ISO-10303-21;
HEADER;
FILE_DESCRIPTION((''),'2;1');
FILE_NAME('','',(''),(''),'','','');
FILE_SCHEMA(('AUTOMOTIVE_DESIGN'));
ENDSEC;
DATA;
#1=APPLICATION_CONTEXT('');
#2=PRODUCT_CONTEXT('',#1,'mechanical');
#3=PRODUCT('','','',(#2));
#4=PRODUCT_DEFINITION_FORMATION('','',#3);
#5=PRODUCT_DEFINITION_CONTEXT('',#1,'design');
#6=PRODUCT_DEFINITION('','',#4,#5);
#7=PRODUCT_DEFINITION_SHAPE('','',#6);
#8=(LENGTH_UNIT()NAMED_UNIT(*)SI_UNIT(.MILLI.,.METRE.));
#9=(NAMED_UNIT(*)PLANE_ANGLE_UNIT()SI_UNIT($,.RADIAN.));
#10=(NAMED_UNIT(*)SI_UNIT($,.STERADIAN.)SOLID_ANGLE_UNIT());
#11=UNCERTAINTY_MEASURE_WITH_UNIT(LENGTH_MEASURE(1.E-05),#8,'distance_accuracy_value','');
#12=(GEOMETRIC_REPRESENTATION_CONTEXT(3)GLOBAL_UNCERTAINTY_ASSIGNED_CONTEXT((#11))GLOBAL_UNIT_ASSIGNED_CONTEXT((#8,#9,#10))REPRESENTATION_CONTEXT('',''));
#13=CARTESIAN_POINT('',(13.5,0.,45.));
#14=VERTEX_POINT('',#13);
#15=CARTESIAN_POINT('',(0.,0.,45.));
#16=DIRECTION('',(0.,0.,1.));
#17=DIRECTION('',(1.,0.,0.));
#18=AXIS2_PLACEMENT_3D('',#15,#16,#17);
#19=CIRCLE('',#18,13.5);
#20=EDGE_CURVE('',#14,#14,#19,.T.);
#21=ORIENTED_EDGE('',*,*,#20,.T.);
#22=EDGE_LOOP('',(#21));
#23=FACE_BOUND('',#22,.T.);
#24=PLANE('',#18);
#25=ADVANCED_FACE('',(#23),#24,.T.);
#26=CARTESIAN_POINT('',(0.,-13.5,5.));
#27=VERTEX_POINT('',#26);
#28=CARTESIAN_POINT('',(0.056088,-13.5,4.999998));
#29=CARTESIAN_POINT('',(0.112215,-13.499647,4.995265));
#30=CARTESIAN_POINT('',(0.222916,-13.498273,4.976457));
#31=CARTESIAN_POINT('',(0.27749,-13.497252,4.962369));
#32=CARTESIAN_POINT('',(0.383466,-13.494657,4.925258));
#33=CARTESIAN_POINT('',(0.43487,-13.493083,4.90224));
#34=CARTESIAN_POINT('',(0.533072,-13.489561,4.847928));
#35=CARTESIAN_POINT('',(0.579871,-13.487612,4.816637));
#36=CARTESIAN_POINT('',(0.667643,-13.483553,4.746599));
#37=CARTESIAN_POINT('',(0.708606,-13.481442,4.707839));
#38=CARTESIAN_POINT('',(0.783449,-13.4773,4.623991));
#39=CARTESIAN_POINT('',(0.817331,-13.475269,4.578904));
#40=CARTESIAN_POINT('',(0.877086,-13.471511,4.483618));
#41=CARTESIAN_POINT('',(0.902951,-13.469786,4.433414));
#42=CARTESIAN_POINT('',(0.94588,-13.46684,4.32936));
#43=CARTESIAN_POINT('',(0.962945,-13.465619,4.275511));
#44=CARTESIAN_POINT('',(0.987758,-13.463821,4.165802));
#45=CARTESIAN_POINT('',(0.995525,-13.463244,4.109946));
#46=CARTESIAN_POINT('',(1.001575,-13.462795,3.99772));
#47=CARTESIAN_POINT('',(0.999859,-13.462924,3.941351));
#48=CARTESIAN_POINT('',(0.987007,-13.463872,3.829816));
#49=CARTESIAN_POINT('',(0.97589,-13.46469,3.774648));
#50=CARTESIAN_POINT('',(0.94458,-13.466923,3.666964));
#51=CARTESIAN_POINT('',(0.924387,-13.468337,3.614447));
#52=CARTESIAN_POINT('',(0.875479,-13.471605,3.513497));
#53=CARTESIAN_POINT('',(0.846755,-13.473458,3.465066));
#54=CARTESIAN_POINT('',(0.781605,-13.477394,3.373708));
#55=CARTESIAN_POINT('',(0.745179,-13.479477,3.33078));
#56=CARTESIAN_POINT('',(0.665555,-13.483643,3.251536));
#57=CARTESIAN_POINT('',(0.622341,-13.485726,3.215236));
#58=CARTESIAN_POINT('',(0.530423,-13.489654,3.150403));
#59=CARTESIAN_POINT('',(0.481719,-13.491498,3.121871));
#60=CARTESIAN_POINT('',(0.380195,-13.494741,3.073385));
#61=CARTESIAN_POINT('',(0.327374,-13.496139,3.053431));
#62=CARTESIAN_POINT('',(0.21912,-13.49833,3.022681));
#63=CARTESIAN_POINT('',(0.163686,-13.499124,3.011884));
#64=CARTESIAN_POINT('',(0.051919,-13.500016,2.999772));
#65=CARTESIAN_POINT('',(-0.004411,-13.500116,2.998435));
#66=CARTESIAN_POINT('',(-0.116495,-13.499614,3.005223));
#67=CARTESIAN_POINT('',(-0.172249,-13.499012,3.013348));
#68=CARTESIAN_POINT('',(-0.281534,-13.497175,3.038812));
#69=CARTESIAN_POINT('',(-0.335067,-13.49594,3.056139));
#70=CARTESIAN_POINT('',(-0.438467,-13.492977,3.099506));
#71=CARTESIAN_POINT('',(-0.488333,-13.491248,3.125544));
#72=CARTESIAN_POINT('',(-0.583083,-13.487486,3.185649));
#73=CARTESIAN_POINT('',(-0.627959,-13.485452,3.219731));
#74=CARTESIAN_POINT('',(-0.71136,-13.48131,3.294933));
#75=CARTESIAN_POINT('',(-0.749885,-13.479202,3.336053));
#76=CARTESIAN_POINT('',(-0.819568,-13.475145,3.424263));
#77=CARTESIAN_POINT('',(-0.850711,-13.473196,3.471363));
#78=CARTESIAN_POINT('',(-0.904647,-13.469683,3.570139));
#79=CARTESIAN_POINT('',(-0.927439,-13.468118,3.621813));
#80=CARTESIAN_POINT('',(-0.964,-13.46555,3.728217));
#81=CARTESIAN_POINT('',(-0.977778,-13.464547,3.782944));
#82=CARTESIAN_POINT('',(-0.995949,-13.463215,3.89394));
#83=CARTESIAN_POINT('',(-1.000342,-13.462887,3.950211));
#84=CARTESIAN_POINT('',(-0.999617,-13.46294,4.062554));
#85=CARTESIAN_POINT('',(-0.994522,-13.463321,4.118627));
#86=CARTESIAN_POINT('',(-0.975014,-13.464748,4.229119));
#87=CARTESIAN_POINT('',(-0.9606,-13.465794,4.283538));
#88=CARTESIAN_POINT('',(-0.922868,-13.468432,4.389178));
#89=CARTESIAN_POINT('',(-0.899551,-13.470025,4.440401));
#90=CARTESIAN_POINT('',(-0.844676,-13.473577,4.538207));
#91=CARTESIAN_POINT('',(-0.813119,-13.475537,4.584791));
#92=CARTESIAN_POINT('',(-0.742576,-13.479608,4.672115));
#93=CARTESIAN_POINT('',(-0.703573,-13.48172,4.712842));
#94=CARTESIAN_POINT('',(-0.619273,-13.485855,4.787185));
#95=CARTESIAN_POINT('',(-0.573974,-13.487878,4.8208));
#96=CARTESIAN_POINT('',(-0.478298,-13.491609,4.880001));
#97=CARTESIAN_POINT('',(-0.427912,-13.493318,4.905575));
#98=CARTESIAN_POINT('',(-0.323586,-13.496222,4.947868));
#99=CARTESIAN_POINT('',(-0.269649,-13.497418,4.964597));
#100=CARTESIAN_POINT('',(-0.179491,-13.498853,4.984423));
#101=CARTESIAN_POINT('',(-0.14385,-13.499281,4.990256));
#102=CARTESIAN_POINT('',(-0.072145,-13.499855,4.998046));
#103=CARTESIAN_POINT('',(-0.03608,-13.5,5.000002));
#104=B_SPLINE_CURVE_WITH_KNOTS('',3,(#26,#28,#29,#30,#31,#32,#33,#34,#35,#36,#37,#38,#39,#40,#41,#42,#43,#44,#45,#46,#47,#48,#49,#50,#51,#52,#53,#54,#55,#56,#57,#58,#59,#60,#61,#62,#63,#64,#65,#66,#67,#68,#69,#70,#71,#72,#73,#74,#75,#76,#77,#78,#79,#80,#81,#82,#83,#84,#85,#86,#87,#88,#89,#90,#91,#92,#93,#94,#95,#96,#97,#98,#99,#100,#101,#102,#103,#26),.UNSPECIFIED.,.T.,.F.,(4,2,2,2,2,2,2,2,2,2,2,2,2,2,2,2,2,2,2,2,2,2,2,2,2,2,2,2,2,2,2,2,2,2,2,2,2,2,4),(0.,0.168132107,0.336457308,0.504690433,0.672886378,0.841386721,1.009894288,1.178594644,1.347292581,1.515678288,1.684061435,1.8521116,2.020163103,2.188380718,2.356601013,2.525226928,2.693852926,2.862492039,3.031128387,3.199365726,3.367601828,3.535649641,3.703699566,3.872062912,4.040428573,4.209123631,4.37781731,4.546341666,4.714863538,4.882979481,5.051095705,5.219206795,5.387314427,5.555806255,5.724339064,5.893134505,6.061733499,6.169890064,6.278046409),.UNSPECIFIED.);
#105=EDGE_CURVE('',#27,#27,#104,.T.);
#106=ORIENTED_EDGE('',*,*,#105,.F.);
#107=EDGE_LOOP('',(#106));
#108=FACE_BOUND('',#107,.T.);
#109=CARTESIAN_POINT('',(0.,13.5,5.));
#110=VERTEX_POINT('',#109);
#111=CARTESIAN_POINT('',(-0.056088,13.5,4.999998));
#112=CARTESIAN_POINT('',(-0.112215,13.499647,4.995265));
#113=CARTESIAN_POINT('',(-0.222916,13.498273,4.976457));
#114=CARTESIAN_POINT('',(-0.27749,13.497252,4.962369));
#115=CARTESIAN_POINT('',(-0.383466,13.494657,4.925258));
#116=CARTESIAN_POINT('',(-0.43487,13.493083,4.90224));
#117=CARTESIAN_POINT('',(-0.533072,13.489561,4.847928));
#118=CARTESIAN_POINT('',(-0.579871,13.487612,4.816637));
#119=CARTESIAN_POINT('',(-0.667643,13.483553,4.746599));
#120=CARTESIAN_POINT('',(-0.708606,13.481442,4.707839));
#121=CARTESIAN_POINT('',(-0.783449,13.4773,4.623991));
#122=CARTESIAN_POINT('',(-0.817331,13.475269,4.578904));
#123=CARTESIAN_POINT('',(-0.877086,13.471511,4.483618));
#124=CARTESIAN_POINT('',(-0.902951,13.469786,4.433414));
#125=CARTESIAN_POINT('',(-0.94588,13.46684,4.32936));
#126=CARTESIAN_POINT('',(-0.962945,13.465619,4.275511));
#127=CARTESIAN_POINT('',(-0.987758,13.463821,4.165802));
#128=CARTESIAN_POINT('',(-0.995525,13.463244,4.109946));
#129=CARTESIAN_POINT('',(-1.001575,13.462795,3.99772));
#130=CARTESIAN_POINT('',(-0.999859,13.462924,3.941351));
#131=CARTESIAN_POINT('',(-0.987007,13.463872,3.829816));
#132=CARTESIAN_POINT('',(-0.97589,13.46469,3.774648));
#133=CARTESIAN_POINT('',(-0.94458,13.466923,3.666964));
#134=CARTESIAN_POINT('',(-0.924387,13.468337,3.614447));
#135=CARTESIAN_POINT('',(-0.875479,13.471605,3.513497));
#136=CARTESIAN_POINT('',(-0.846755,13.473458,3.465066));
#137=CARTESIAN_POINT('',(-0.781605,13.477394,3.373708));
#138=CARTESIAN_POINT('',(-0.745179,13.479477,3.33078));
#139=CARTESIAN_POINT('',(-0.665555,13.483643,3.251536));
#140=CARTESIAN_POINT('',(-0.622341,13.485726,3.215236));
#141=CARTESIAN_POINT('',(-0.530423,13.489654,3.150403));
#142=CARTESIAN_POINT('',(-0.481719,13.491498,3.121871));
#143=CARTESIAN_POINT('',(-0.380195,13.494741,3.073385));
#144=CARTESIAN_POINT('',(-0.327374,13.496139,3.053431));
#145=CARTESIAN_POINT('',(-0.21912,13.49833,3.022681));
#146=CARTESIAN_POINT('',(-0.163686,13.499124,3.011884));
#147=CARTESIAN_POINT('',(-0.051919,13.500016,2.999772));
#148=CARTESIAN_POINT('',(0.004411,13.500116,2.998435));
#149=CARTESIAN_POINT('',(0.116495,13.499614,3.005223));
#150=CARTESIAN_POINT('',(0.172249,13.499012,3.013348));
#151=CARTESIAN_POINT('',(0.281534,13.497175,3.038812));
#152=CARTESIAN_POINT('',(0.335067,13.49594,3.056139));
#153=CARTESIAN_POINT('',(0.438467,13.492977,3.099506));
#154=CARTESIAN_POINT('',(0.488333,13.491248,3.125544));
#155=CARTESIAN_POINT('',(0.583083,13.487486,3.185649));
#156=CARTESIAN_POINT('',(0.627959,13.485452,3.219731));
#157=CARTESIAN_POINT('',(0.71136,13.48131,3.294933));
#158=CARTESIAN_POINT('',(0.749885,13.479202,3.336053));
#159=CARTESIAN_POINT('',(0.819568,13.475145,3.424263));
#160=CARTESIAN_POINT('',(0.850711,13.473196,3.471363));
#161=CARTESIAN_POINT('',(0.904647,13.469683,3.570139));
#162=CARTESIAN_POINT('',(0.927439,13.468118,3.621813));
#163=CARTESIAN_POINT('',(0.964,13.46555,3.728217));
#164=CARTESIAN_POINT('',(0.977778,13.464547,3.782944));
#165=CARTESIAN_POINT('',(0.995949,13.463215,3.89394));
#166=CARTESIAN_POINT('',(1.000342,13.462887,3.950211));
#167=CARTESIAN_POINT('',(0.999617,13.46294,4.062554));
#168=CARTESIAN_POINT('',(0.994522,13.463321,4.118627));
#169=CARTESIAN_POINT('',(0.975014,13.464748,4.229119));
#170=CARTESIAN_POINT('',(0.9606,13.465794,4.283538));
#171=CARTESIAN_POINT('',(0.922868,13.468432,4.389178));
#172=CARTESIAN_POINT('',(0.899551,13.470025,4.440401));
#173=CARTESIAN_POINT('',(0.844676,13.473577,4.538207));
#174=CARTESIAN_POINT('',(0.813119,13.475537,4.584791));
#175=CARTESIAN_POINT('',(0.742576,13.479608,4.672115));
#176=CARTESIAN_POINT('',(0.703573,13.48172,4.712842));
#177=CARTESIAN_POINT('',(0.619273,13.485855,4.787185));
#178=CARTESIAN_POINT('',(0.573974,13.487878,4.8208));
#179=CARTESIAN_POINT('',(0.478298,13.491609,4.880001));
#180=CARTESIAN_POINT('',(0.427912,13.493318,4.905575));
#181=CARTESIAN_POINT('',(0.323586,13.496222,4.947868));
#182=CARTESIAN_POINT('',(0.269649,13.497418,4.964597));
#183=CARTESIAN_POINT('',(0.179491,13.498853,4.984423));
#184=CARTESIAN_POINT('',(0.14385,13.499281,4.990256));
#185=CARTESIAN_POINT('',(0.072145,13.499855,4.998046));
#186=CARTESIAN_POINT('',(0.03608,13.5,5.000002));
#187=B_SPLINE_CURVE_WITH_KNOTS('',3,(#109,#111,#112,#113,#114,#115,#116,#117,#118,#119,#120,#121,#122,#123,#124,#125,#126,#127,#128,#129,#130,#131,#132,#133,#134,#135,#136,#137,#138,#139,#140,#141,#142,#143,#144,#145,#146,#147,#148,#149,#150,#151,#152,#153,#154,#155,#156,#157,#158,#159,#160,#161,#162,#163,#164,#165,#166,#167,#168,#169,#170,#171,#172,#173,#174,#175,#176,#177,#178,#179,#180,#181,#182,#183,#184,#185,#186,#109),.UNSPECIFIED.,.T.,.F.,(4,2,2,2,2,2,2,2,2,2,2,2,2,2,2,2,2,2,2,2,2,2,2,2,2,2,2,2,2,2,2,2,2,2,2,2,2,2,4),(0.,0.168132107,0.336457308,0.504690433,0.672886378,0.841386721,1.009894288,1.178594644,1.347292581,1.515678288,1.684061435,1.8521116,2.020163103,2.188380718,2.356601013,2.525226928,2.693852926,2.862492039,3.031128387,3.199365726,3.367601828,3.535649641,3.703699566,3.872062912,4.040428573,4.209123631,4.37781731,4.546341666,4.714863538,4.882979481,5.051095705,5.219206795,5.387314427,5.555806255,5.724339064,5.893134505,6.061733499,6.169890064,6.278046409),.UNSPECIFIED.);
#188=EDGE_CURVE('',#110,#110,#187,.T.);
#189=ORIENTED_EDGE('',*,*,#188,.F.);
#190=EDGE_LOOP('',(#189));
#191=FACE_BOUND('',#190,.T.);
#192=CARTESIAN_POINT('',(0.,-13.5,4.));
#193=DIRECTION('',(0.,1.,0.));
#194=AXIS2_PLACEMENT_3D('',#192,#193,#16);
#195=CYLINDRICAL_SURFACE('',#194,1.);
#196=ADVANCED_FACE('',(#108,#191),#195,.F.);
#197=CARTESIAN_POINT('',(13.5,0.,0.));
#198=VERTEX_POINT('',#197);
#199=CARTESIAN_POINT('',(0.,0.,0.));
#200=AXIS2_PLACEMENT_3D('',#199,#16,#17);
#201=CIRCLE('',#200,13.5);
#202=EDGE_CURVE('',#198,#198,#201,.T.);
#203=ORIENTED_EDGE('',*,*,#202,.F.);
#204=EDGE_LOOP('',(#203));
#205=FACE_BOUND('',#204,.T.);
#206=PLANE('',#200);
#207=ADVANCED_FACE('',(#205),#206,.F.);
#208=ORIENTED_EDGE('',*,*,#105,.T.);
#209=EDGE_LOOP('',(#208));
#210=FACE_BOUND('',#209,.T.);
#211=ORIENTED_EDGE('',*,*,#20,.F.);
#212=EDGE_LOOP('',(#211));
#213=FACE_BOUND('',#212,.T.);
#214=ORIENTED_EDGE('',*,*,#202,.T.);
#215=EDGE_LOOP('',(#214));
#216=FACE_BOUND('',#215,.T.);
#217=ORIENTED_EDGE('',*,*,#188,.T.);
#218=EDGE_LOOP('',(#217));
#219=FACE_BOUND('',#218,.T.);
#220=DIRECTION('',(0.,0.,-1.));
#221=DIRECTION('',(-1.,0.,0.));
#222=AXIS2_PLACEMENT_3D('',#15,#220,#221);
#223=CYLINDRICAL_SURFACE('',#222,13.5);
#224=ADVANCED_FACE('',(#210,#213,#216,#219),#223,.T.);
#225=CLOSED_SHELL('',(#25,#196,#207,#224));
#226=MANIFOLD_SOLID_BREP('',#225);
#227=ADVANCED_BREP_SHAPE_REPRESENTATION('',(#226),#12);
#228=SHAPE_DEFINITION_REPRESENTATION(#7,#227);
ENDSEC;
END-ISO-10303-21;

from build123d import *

# Parameters (mm, degrees)
SKETCH1_R               = 13.5
BOSS_EXTRUDE1_DEPTH     = 45
CUT_EXTRUDE1_DEPTH      = 49.88251221
CUT_EXTRUDE1_DEPTH_BACK = 49.88251221
SKETCH2_R               = 1


with BuildPart() as part:
    # Sketch1 → Boss-Extrude1 (new body)
    with BuildSketch(Plane.XY):
        with Locations(Location((0, 0, 0), (0, 0, 180))):
            Circle(SKETCH1_R)
    extrude(amount=BOSS_EXTRUDE1_DEPTH)

    # Sketch2 → Cut-Extrude1 (cut, two sides: drawn at the far end of the back side and taken through both)
    with BuildSketch(Plane(origin=(0, 0, 0), x_dir=(1, 0, 0), z_dir=(0, 1, 0)).offset(-CUT_EXTRUDE1_DEPTH_BACK)):
        with Locations(Location((0, -4, 0), (0, 0, 270))):
            Circle(SKETCH2_R)
    extrude(amount=CUT_EXTRUDE1_DEPTH + CUT_EXTRUDE1_DEPTH_BACK, mode=Mode.SUBTRACT)


solid = part.part
